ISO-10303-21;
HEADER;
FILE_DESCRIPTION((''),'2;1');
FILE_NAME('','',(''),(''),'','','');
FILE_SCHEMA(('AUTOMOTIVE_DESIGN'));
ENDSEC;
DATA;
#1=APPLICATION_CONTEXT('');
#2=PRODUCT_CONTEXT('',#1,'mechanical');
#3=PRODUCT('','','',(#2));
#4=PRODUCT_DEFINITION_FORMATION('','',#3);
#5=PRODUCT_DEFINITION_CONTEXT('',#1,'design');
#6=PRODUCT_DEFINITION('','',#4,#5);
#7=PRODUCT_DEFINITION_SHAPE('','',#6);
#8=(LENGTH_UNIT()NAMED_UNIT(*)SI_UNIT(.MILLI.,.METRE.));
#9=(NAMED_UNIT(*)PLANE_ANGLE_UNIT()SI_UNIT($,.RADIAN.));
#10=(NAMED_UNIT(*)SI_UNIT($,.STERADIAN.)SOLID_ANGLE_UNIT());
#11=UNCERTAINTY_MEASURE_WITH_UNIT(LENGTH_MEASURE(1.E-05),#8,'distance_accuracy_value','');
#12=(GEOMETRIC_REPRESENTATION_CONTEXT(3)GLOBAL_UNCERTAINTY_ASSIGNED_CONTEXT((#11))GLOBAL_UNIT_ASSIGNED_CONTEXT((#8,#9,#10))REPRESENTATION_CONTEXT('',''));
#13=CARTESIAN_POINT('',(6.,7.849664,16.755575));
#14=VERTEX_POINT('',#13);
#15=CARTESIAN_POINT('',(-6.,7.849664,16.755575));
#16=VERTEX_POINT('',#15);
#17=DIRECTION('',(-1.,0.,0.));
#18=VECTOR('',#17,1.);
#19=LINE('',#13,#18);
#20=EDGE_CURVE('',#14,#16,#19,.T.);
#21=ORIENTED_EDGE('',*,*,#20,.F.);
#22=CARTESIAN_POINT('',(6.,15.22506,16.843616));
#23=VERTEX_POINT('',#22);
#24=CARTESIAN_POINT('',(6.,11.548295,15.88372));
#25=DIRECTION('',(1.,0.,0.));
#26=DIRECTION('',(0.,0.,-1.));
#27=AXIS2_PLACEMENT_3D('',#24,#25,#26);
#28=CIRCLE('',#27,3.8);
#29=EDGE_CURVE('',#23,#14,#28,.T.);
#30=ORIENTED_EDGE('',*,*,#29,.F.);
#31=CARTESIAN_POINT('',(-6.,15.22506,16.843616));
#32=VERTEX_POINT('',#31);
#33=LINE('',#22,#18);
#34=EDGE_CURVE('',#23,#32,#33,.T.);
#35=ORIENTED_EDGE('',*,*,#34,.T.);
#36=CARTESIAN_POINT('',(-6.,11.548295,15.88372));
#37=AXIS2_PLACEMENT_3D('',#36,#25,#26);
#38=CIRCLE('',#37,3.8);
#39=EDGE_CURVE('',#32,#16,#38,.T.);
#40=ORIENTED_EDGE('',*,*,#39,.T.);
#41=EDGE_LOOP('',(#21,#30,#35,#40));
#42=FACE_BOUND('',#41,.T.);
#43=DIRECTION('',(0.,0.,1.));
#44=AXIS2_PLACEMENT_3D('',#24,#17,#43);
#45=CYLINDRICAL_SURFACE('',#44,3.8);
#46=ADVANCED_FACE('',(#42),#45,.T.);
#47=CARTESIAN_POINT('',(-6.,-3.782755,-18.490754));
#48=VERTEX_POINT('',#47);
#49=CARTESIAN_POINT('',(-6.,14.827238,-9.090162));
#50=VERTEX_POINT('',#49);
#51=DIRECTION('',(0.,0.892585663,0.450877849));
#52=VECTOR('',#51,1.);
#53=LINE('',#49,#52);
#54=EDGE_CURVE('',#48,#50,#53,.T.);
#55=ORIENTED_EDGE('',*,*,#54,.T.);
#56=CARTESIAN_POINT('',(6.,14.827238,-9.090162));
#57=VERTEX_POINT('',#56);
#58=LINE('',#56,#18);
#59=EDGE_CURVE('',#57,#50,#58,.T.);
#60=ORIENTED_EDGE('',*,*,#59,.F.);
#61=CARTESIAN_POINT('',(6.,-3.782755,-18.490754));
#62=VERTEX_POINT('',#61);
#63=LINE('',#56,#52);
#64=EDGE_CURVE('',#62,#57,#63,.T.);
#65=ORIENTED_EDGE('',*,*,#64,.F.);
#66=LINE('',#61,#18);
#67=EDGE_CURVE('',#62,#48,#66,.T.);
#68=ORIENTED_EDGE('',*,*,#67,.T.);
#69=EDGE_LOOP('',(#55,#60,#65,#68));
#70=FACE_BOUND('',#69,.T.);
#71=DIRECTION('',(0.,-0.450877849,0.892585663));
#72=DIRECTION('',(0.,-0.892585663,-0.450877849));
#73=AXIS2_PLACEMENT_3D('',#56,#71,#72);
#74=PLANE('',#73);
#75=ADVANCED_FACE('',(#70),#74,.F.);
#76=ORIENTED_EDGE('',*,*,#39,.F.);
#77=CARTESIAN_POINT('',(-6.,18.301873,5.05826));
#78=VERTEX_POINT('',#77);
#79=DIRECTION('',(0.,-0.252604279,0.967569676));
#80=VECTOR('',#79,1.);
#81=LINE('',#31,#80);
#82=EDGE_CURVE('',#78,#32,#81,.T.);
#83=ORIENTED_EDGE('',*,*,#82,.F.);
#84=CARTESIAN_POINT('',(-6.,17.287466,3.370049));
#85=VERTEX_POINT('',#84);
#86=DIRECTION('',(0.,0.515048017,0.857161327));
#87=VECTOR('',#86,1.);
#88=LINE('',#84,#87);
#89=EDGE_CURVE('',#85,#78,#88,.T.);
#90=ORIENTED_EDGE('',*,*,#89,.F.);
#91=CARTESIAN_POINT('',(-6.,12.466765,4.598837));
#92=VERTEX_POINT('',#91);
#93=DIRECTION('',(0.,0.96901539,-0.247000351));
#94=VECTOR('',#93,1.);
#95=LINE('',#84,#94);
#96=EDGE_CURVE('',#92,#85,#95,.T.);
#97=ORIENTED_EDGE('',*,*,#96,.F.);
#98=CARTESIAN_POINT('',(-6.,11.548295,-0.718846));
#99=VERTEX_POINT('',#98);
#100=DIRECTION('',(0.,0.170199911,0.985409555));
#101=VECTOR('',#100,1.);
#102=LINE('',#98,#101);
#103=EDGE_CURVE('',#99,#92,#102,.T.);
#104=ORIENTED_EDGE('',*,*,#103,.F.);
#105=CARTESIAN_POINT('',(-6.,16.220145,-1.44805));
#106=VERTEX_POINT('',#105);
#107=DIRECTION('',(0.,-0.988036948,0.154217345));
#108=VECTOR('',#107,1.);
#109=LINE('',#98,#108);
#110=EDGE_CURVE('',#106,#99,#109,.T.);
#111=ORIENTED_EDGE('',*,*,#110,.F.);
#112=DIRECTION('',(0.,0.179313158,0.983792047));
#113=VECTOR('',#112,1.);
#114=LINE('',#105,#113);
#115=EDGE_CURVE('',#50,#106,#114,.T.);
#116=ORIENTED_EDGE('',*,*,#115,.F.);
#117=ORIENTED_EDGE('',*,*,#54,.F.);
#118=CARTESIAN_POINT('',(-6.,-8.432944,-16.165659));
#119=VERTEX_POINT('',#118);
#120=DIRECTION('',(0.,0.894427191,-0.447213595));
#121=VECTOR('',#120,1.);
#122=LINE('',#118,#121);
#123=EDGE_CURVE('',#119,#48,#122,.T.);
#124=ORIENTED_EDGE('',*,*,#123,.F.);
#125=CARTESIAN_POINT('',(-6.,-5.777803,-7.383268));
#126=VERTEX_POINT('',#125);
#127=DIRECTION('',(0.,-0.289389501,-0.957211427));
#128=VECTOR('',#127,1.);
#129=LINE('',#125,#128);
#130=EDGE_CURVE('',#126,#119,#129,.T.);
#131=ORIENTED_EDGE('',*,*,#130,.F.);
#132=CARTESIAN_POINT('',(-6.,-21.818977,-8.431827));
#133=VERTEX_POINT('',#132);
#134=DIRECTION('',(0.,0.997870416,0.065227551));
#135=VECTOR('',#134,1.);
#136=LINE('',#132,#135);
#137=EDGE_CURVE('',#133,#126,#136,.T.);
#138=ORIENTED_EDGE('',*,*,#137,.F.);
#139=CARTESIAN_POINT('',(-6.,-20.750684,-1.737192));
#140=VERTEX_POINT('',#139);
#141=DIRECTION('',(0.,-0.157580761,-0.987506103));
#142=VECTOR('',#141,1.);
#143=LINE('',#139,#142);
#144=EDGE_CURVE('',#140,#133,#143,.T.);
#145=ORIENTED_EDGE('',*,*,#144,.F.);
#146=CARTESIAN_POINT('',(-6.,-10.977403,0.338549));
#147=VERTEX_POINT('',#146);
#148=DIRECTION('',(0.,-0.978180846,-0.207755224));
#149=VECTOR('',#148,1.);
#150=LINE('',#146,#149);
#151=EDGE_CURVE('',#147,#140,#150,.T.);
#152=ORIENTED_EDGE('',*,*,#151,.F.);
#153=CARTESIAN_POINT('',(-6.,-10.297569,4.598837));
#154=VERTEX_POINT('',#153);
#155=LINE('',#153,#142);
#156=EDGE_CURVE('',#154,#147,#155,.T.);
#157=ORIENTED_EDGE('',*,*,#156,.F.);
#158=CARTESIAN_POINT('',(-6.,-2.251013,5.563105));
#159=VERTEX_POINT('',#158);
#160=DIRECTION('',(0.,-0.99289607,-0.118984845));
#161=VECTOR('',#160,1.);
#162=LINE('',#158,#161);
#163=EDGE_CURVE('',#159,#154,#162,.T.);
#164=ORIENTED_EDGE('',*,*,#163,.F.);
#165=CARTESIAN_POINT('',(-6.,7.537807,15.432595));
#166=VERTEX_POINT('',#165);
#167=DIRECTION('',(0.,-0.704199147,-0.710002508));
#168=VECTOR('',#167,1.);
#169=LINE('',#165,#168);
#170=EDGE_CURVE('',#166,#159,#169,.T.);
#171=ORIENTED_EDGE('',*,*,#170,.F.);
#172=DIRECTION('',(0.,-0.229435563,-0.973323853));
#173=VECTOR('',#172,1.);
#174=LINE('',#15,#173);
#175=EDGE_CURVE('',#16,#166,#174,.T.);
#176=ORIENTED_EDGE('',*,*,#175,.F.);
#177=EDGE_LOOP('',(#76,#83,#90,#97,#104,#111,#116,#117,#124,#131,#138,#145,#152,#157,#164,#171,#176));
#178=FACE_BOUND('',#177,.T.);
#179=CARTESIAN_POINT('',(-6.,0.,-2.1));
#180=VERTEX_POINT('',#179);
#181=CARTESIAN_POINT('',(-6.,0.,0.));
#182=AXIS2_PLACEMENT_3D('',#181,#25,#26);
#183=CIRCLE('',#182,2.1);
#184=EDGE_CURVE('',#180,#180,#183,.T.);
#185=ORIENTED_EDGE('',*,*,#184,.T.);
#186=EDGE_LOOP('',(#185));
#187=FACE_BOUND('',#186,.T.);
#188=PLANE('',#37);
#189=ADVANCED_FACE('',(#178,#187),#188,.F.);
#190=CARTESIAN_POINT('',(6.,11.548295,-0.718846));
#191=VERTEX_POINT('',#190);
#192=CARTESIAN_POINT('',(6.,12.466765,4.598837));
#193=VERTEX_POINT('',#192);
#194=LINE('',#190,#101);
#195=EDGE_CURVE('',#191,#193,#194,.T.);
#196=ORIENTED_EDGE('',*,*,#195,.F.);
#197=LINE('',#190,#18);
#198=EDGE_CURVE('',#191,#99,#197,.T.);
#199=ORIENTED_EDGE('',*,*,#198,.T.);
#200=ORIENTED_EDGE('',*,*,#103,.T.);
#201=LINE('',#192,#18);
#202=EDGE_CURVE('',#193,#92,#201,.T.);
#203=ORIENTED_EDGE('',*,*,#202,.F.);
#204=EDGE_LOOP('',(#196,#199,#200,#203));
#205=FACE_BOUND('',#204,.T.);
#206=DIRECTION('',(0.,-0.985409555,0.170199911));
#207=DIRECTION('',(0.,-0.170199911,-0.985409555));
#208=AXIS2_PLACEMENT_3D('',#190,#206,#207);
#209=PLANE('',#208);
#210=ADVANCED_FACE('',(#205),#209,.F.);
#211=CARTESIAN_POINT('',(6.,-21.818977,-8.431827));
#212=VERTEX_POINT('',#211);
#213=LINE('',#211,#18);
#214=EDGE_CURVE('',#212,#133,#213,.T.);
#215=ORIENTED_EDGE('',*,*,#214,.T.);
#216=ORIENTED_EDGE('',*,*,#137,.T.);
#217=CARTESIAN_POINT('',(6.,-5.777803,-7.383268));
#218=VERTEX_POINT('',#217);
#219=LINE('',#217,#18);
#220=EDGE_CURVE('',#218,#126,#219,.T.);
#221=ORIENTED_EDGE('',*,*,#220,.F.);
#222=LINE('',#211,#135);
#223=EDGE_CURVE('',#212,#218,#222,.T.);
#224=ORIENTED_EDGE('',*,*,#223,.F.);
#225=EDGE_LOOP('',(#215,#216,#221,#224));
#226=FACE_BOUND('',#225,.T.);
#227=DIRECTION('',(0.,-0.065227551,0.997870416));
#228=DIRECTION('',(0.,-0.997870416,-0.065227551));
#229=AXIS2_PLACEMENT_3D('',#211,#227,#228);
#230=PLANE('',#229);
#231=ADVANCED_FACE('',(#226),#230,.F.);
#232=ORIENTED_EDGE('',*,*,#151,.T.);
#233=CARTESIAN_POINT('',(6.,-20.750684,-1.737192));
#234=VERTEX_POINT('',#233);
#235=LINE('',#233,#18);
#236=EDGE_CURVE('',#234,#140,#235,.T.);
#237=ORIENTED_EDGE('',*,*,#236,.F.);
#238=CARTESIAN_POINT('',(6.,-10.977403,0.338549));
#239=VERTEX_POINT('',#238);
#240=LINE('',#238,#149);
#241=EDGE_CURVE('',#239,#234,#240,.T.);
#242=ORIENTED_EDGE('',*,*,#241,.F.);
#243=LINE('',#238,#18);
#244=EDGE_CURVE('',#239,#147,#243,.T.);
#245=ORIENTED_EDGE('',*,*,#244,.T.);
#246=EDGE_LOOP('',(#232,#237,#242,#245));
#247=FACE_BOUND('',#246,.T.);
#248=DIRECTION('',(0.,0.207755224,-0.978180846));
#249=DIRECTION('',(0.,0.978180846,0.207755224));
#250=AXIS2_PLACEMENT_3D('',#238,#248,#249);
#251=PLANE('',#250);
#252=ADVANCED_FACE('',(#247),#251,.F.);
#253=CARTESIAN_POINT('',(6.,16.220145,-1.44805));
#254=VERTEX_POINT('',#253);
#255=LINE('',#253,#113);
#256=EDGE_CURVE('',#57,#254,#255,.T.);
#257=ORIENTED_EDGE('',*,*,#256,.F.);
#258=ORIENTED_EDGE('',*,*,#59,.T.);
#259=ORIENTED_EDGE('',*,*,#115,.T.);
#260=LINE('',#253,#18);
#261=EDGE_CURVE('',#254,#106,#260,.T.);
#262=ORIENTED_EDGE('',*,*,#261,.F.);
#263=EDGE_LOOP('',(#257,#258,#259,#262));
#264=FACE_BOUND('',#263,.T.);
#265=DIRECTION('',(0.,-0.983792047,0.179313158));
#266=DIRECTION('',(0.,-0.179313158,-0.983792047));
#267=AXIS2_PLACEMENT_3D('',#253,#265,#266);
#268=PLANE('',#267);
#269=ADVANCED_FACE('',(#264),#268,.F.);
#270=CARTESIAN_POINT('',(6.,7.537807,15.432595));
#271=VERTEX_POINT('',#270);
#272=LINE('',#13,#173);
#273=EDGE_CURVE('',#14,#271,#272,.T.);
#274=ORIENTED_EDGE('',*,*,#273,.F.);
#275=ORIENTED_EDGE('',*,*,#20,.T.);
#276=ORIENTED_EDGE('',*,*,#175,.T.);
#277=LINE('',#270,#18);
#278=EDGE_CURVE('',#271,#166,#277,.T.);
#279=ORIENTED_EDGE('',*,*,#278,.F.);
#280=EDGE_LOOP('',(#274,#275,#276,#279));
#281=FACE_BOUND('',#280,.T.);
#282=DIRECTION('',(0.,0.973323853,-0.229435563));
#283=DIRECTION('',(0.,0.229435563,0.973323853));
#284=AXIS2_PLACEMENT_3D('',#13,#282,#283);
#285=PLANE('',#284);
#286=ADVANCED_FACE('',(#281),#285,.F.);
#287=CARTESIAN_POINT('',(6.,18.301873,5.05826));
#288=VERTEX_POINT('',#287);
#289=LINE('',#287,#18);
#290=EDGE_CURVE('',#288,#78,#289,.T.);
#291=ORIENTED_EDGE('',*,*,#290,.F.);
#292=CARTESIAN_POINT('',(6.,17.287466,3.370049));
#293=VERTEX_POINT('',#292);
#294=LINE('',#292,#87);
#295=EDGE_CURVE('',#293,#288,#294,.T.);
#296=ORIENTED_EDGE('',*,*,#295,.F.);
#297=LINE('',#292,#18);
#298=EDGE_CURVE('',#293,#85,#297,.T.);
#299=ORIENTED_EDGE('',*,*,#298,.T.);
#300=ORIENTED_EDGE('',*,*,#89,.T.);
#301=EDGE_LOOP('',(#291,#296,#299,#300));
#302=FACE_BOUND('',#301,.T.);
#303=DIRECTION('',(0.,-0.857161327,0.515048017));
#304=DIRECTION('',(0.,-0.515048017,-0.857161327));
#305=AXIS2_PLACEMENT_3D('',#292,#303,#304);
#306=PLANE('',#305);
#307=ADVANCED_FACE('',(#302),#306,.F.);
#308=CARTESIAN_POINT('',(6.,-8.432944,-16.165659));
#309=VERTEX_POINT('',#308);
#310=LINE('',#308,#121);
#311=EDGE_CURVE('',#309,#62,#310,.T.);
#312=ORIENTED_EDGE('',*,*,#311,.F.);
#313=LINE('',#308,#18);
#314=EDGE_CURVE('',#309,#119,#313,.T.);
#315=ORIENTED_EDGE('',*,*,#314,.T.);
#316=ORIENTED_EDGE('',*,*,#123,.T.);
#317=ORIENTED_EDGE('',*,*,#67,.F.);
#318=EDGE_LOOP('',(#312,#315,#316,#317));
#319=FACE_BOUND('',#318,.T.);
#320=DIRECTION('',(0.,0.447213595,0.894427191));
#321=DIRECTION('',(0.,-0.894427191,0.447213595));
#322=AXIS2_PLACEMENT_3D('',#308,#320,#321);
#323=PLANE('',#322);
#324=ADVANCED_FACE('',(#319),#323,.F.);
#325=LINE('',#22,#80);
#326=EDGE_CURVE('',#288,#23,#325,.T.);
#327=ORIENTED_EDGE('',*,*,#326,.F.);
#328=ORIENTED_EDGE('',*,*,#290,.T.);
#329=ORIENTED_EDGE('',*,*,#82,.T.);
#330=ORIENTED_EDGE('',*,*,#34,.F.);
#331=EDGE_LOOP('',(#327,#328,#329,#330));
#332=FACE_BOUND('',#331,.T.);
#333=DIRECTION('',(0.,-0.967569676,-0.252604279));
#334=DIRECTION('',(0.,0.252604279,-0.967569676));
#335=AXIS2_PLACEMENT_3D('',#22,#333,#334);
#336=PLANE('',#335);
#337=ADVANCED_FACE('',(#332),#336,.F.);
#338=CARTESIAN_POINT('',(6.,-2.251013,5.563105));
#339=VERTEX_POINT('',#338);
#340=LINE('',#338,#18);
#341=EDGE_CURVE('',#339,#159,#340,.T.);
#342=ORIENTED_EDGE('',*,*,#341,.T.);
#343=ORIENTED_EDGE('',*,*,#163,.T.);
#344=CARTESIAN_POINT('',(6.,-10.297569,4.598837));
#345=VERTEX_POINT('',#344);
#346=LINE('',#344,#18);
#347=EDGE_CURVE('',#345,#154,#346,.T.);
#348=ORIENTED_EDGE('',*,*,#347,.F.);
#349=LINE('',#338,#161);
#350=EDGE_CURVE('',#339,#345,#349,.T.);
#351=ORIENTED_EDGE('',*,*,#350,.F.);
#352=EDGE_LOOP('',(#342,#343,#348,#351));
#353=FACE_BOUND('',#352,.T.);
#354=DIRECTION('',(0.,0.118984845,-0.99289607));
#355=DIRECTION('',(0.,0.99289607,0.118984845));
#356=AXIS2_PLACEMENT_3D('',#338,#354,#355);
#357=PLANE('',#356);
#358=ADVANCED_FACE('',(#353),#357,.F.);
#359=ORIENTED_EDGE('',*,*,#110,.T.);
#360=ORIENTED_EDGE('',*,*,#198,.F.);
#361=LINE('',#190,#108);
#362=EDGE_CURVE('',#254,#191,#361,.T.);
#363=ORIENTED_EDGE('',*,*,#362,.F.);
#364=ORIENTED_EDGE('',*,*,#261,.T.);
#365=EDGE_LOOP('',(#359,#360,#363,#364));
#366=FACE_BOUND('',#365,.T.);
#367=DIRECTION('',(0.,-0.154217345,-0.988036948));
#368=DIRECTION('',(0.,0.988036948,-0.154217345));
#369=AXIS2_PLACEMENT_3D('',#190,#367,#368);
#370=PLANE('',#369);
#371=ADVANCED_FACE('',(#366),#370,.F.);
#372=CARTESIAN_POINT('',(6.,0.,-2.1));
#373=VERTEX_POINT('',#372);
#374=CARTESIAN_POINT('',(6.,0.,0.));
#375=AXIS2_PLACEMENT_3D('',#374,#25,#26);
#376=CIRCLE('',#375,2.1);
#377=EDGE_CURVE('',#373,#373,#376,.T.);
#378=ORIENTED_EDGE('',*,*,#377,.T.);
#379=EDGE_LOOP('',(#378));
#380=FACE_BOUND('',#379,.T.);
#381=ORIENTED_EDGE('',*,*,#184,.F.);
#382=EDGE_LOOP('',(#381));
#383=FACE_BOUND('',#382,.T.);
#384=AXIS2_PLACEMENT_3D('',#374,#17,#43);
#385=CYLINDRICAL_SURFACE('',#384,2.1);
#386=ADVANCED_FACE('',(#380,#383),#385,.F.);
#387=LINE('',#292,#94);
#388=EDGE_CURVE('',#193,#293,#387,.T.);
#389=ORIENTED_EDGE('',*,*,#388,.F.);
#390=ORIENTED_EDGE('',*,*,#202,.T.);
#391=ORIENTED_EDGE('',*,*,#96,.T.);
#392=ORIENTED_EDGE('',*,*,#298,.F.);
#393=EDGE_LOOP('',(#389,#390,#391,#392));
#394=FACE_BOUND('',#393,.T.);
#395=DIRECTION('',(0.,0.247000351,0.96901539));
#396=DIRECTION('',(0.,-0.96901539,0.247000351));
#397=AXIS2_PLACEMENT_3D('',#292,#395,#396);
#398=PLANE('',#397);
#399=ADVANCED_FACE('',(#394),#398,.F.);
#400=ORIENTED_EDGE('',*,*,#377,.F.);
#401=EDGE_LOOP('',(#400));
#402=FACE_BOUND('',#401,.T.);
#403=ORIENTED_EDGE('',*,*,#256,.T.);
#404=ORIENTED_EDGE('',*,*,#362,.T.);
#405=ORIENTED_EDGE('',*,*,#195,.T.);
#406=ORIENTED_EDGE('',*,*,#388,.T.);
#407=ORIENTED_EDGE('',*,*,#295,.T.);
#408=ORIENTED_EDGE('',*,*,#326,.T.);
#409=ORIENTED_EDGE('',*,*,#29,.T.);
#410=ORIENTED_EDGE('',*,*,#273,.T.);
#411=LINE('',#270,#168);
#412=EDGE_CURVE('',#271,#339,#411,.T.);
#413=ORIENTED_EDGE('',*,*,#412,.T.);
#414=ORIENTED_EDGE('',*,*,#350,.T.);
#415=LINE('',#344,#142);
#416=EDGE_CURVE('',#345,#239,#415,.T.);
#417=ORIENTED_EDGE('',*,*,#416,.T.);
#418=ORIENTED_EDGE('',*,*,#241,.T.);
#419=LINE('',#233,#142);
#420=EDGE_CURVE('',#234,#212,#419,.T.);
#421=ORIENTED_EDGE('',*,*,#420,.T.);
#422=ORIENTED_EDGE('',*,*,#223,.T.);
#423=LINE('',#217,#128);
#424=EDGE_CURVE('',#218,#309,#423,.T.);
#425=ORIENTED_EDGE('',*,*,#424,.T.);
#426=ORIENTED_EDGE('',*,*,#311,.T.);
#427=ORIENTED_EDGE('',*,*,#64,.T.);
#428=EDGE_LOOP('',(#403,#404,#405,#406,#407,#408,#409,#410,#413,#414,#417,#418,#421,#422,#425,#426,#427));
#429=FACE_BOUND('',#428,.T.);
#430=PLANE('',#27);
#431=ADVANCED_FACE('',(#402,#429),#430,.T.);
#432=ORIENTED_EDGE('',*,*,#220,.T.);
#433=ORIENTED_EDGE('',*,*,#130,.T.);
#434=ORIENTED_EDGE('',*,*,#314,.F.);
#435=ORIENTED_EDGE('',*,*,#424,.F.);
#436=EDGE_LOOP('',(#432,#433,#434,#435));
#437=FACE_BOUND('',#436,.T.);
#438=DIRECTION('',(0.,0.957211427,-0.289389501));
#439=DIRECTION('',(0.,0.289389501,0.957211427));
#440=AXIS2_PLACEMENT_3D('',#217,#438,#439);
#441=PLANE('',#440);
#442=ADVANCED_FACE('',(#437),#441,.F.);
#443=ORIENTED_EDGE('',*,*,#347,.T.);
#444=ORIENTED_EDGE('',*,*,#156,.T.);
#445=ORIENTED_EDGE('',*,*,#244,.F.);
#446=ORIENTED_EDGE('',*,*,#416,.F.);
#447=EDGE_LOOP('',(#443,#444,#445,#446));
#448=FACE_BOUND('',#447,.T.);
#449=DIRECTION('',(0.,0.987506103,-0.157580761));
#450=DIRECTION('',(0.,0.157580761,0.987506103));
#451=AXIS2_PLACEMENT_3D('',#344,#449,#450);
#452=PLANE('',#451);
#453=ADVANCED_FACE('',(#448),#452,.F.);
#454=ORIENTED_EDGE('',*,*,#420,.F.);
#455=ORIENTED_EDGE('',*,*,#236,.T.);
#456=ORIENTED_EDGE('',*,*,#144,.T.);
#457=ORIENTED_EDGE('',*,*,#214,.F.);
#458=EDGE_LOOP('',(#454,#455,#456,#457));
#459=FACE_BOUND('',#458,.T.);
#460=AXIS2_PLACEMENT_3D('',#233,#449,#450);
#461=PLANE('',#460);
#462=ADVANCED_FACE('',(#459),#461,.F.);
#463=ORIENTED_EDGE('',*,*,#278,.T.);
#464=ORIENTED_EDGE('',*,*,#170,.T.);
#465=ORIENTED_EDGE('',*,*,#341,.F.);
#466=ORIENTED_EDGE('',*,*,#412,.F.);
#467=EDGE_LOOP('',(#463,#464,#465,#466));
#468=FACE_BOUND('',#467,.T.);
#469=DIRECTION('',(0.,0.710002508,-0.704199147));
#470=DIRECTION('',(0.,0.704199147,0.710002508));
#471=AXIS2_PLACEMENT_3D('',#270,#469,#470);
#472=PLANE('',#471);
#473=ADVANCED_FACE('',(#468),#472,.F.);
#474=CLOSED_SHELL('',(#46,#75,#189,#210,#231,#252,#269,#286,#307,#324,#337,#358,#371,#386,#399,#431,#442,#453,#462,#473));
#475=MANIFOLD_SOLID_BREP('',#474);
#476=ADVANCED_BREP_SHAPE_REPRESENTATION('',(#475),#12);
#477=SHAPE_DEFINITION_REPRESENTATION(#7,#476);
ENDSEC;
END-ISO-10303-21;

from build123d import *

# Parameters (mm, degrees)
SKETCH_1_R      = 2.1
EXTRUDE_1_DEPTH = 6


with BuildPart() as part:
    # 스케치1 → 보스-돌출1 (new, symmetric)
    with BuildSketch(Plane(origin=(0, 0, 0), x_dir=(0, 0, -1), z_dir=(1, 0, 0))):
        with BuildLine():
            Line((-16.843616133, 15.225059748), (-5.058260457, 18.301873078))
            Line((-5.058260457, 18.301873078), (-3.370048504, 17.287466348))
            Line((-3.370048504, 17.287466348), (-4.598836935, 12.46676509))
            Line((-4.598836935, 12.46676509), (0.718846359, 11.548294979))
            Line((0.718846359, 11.548294979), (1.44805016, 16.220144947))
            Line((1.44805016, 16.220144947), (9.090162136, 14.827237538))
            Line((9.090162136, 14.827237538), (18.490753638, -3.782754553))
            Line((18.490753638, -3.782754553), (16.165658803, -8.432944223))
            Line((16.165658803, -8.432944223), (7.383267841, -5.77780277))
            Line((7.383267841, -5.77780277), (8.431827356, -21.818977094))
            Line((8.431827356, -21.818977094), (1.737192047, -20.750684226))
            Line((1.737192047, -20.750684226), (-0.33854919, -10.977402568))
            Line((-0.33854919, -10.977402568), (-4.598836935, -10.297569417))
            Line((-4.598836935, -10.297569417), (-5.563105297, -2.251013026))
            Line((-5.563105297, -2.251013026), (-15.432595358, 7.537806593))
            Line((-15.432595358, 7.537806593), (-16.755575012, 7.849664338))
            ThreePointArc((-16.755575012, 7.849664338), (-19.683449159, 11.502937082), (-16.843616133, 15.225059748))
        make_face()
        Circle(SKETCH_1_R, mode=Mode.SUBTRACT)
    extrude(amount=EXTRUDE_1_DEPTH, both=True)


solid = part.part
